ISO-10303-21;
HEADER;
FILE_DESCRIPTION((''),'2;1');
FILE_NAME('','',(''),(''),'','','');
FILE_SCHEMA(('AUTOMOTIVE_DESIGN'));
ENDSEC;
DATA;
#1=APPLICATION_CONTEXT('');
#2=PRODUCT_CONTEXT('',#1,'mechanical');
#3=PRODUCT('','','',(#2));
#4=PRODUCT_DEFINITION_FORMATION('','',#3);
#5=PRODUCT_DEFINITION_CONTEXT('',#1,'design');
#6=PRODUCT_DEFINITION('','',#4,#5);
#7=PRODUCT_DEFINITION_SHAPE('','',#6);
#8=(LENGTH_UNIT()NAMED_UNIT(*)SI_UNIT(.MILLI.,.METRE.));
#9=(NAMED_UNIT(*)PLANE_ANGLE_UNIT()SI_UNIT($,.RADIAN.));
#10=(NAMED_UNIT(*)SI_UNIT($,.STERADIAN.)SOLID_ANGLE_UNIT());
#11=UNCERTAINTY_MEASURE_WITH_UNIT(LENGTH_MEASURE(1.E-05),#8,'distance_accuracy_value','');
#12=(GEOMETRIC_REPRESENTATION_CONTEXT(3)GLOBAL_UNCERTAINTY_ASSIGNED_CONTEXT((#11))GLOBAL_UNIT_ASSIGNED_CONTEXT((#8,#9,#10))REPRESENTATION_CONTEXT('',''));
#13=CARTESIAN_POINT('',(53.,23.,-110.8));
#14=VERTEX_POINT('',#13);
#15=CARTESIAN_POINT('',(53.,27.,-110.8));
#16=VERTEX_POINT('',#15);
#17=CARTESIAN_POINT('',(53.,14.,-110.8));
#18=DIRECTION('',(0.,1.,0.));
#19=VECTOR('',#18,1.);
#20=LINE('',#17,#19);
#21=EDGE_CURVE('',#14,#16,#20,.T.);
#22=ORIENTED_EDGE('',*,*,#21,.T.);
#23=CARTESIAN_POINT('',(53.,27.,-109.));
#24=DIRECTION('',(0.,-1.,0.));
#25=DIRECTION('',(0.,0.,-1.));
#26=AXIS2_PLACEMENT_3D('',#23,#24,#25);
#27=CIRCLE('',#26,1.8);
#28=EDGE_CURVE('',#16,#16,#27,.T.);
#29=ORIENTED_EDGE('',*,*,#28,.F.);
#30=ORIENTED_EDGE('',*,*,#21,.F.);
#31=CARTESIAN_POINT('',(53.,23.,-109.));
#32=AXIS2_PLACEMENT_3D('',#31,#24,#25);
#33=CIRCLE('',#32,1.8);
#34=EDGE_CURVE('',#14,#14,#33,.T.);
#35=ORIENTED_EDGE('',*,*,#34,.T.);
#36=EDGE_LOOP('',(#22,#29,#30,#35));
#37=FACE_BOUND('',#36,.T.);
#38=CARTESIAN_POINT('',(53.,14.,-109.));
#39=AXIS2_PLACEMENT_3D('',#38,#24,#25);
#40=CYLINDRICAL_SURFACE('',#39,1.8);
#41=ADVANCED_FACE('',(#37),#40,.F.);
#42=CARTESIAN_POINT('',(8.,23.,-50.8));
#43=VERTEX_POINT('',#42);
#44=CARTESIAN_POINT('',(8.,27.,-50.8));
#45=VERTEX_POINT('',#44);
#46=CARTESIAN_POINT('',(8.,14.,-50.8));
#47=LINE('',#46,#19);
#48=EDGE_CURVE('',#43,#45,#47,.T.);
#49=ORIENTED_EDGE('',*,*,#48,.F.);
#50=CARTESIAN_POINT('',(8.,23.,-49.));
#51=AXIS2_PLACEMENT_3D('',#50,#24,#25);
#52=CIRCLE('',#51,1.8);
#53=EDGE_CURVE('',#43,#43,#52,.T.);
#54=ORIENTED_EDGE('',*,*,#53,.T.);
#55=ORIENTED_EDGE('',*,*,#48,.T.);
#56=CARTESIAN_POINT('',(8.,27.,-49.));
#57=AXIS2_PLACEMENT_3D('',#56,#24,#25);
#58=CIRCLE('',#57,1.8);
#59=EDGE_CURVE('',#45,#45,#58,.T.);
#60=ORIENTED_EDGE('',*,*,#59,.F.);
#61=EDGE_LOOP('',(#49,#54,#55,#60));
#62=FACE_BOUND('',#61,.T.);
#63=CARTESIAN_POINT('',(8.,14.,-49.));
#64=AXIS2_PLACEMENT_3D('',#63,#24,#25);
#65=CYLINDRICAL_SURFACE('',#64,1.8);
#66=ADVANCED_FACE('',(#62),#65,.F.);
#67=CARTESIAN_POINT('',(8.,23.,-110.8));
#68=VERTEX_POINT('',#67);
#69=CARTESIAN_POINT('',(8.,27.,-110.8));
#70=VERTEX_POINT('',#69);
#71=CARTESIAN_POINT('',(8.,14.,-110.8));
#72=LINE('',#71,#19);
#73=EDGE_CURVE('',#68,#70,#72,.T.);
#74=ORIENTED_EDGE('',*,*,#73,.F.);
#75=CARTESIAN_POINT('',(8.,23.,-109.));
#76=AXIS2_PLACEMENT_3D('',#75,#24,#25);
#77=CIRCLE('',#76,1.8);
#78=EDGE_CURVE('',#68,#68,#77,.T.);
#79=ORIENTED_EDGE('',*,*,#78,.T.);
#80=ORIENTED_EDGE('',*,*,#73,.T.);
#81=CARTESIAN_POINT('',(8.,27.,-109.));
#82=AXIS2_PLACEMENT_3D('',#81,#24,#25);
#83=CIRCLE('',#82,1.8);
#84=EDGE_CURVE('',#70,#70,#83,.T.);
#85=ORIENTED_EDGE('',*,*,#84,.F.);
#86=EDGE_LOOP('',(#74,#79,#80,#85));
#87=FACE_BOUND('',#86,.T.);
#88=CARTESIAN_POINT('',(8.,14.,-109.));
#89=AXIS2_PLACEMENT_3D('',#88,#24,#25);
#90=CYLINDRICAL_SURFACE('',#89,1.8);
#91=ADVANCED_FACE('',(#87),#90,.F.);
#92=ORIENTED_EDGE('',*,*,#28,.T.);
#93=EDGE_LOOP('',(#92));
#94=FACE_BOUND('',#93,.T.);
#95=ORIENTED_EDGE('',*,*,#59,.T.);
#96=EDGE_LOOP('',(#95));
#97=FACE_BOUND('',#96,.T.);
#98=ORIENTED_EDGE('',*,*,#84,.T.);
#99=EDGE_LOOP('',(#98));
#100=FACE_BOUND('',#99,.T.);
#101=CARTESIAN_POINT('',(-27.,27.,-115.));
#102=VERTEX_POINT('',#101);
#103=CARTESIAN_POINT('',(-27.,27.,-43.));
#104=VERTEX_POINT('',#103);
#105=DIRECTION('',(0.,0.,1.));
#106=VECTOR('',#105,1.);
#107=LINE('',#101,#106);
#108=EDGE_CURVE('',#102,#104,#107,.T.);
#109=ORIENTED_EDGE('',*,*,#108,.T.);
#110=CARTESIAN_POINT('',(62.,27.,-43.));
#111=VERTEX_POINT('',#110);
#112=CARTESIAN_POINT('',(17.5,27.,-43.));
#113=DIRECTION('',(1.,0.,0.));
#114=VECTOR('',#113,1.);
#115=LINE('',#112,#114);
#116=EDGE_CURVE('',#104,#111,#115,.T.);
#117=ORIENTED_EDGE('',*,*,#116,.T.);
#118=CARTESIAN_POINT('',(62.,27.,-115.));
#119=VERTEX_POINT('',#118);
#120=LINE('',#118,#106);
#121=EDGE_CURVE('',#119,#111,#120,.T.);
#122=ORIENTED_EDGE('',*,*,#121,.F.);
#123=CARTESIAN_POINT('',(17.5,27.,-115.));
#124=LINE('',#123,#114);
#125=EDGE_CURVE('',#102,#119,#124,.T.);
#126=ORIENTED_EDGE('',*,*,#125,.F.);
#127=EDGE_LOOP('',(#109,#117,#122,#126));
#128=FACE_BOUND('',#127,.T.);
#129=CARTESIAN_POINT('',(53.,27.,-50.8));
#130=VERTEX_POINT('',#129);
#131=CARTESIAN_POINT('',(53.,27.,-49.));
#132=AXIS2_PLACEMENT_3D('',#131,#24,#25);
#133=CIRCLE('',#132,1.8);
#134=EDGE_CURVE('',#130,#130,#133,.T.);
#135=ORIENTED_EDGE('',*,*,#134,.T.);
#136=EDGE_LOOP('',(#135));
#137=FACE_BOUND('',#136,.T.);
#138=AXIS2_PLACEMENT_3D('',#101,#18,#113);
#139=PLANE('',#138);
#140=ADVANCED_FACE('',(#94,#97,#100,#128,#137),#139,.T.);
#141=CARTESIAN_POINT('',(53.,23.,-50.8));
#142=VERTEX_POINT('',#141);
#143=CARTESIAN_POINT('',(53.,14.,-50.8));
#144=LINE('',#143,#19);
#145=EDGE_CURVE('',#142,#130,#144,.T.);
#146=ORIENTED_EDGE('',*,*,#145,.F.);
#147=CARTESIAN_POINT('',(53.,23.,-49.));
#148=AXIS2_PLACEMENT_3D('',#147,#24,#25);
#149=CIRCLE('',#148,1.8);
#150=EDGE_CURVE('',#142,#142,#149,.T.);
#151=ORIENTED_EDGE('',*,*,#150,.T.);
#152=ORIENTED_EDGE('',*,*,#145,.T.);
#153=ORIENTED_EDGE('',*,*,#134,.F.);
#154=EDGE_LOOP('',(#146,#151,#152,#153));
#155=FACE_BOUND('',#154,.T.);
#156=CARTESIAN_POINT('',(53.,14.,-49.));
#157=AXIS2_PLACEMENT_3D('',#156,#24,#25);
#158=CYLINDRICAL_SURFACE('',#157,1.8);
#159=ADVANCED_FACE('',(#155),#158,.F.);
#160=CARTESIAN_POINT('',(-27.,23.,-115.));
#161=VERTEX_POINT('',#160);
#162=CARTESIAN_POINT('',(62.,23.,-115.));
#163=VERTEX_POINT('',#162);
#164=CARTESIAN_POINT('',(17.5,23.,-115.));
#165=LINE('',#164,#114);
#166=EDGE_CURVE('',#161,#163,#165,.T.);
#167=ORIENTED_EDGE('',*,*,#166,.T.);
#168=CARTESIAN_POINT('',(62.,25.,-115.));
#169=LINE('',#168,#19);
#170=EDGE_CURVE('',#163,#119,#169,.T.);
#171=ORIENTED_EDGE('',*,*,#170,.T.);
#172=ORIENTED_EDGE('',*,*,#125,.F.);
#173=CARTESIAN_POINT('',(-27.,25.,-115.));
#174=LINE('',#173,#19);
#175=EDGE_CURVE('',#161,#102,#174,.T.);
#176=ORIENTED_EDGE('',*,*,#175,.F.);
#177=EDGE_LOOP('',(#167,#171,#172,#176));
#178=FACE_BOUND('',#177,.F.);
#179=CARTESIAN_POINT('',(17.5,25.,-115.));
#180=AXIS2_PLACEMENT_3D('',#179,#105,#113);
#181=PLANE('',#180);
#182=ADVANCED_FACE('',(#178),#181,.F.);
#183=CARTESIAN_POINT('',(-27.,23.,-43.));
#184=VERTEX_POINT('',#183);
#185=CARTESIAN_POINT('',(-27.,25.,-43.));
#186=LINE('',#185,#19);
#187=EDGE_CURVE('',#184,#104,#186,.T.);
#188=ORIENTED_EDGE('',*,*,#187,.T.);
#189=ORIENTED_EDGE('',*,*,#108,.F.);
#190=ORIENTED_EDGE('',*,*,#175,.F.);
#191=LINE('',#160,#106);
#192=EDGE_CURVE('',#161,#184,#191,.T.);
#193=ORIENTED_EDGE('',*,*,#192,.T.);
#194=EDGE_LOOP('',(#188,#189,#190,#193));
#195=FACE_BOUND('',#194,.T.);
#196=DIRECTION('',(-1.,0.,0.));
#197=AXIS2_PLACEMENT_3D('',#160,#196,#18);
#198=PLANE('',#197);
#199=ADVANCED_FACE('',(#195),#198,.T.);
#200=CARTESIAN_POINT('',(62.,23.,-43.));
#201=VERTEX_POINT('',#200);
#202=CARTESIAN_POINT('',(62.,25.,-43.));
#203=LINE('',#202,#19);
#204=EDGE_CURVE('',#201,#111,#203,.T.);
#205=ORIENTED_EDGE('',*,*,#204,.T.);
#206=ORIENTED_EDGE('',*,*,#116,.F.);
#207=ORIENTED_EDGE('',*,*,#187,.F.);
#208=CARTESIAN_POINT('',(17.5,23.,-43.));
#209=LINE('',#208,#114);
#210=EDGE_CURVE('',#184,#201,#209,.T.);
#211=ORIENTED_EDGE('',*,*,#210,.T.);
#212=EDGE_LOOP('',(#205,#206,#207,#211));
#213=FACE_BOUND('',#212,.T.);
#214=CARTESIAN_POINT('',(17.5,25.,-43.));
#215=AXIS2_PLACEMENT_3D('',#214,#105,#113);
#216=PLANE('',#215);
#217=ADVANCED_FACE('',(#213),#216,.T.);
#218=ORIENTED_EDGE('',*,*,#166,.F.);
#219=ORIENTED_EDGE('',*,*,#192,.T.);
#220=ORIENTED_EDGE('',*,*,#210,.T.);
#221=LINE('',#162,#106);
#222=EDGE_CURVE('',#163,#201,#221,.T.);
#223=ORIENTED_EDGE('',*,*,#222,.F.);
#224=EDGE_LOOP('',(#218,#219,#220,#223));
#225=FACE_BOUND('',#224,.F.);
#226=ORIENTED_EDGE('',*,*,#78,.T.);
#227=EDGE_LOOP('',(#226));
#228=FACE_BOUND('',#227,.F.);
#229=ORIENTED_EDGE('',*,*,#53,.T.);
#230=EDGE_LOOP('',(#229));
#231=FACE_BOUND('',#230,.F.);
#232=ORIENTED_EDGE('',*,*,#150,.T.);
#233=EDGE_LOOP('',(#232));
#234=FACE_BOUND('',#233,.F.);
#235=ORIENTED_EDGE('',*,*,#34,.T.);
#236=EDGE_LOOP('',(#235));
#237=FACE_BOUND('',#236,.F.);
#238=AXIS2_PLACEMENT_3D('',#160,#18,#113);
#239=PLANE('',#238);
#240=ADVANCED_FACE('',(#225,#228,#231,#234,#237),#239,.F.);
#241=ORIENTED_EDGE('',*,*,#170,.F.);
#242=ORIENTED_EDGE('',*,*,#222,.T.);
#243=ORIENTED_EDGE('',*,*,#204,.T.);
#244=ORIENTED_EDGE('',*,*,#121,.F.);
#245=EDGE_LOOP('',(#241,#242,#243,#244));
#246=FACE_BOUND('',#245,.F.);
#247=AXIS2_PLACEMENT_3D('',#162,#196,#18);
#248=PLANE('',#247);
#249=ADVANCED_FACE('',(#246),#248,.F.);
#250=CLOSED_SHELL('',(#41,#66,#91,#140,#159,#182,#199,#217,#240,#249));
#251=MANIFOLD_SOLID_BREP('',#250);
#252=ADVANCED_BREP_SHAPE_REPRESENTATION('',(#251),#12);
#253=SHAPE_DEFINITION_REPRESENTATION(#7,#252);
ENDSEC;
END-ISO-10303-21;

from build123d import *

# Parameters (mm, degrees)
CYLINDER019_R               = 1.8
CYLINDER019_DEPTH           = 20
ARRAY001010_X_COUNT         = 2
ARRAY001010_X_PITCH         = 60
ARRAY001010_Z_COUNT         = 3
ARRAY001010_Z_PITCH         = 45
ARRAY001010_PLACEMENT_ANGLE = 90
BOX011_W                    = 89
BOX011_H                    = 4
BOX011_DEPTH                = 72


with BuildPart() as bottom_hole_array004:
    # Cylinder019 → Cylinder019 (new body)
    with BuildSketch(Plane(origin=(59, 14, 53), x_dir=(1, 0, 0), z_dir=(0, 1, 0))):
        Circle(CYLINDER019_R)
    extrude(amount=CYLINDER019_DEPTH)

    # Array001010 X: bottom hole array004 ×2


with BuildPart() as bottom_hole_array004_1:
    add(bottom_hole_array004.part)
    with Locations(*[(i * ARRAY001010_X_PITCH, 0, 0) for i in range(1, ARRAY001010_X_COUNT)]):
        add(bottom_hole_array004.part)

    # Array001010 Z: bottom hole array004 ×3


with BuildPart() as bottom_hole_array004_2:
    add(bottom_hole_array004_1.part)
    with Locations(*[(0, 0, -i * ARRAY001010_Z_PITCH) for i in range(1, ARRAY001010_Z_COUNT)]):
        add(bottom_hole_array004_1.part)


with BuildPart() as bottom_hole_array004_3:
    # Array001010 placement: moved
    add(bottom_hole_array004_2.part.rotate(Axis((0, 0, 0), (0, 1, 0)), ARRAY001010_PLACEMENT_ANGLE))


with BuildPart() as top_plate_cut002:
    # Box011 → Box011 (new body)
    with BuildSketch(Plane(origin=(-27, 23, -125), x_dir=(1, 0, 0), z_dir=(0, 0, 1))):
        with Locations((44.5, 2)):
            Rectangle(BOX011_W, BOX011_H)
    extrude(amount=BOX011_DEPTH)

    # Cut010: cut bottom hole array004
    add(bottom_hole_array004_3.part, mode=Mode.SUBTRACT)


with BuildPart() as top_plate_cut002_1:
    # Cut010 placement: moved
    add(top_plate_cut002.part.moved(Location((0, 0, 10))))


solid = top_plate_cut002_1.part
